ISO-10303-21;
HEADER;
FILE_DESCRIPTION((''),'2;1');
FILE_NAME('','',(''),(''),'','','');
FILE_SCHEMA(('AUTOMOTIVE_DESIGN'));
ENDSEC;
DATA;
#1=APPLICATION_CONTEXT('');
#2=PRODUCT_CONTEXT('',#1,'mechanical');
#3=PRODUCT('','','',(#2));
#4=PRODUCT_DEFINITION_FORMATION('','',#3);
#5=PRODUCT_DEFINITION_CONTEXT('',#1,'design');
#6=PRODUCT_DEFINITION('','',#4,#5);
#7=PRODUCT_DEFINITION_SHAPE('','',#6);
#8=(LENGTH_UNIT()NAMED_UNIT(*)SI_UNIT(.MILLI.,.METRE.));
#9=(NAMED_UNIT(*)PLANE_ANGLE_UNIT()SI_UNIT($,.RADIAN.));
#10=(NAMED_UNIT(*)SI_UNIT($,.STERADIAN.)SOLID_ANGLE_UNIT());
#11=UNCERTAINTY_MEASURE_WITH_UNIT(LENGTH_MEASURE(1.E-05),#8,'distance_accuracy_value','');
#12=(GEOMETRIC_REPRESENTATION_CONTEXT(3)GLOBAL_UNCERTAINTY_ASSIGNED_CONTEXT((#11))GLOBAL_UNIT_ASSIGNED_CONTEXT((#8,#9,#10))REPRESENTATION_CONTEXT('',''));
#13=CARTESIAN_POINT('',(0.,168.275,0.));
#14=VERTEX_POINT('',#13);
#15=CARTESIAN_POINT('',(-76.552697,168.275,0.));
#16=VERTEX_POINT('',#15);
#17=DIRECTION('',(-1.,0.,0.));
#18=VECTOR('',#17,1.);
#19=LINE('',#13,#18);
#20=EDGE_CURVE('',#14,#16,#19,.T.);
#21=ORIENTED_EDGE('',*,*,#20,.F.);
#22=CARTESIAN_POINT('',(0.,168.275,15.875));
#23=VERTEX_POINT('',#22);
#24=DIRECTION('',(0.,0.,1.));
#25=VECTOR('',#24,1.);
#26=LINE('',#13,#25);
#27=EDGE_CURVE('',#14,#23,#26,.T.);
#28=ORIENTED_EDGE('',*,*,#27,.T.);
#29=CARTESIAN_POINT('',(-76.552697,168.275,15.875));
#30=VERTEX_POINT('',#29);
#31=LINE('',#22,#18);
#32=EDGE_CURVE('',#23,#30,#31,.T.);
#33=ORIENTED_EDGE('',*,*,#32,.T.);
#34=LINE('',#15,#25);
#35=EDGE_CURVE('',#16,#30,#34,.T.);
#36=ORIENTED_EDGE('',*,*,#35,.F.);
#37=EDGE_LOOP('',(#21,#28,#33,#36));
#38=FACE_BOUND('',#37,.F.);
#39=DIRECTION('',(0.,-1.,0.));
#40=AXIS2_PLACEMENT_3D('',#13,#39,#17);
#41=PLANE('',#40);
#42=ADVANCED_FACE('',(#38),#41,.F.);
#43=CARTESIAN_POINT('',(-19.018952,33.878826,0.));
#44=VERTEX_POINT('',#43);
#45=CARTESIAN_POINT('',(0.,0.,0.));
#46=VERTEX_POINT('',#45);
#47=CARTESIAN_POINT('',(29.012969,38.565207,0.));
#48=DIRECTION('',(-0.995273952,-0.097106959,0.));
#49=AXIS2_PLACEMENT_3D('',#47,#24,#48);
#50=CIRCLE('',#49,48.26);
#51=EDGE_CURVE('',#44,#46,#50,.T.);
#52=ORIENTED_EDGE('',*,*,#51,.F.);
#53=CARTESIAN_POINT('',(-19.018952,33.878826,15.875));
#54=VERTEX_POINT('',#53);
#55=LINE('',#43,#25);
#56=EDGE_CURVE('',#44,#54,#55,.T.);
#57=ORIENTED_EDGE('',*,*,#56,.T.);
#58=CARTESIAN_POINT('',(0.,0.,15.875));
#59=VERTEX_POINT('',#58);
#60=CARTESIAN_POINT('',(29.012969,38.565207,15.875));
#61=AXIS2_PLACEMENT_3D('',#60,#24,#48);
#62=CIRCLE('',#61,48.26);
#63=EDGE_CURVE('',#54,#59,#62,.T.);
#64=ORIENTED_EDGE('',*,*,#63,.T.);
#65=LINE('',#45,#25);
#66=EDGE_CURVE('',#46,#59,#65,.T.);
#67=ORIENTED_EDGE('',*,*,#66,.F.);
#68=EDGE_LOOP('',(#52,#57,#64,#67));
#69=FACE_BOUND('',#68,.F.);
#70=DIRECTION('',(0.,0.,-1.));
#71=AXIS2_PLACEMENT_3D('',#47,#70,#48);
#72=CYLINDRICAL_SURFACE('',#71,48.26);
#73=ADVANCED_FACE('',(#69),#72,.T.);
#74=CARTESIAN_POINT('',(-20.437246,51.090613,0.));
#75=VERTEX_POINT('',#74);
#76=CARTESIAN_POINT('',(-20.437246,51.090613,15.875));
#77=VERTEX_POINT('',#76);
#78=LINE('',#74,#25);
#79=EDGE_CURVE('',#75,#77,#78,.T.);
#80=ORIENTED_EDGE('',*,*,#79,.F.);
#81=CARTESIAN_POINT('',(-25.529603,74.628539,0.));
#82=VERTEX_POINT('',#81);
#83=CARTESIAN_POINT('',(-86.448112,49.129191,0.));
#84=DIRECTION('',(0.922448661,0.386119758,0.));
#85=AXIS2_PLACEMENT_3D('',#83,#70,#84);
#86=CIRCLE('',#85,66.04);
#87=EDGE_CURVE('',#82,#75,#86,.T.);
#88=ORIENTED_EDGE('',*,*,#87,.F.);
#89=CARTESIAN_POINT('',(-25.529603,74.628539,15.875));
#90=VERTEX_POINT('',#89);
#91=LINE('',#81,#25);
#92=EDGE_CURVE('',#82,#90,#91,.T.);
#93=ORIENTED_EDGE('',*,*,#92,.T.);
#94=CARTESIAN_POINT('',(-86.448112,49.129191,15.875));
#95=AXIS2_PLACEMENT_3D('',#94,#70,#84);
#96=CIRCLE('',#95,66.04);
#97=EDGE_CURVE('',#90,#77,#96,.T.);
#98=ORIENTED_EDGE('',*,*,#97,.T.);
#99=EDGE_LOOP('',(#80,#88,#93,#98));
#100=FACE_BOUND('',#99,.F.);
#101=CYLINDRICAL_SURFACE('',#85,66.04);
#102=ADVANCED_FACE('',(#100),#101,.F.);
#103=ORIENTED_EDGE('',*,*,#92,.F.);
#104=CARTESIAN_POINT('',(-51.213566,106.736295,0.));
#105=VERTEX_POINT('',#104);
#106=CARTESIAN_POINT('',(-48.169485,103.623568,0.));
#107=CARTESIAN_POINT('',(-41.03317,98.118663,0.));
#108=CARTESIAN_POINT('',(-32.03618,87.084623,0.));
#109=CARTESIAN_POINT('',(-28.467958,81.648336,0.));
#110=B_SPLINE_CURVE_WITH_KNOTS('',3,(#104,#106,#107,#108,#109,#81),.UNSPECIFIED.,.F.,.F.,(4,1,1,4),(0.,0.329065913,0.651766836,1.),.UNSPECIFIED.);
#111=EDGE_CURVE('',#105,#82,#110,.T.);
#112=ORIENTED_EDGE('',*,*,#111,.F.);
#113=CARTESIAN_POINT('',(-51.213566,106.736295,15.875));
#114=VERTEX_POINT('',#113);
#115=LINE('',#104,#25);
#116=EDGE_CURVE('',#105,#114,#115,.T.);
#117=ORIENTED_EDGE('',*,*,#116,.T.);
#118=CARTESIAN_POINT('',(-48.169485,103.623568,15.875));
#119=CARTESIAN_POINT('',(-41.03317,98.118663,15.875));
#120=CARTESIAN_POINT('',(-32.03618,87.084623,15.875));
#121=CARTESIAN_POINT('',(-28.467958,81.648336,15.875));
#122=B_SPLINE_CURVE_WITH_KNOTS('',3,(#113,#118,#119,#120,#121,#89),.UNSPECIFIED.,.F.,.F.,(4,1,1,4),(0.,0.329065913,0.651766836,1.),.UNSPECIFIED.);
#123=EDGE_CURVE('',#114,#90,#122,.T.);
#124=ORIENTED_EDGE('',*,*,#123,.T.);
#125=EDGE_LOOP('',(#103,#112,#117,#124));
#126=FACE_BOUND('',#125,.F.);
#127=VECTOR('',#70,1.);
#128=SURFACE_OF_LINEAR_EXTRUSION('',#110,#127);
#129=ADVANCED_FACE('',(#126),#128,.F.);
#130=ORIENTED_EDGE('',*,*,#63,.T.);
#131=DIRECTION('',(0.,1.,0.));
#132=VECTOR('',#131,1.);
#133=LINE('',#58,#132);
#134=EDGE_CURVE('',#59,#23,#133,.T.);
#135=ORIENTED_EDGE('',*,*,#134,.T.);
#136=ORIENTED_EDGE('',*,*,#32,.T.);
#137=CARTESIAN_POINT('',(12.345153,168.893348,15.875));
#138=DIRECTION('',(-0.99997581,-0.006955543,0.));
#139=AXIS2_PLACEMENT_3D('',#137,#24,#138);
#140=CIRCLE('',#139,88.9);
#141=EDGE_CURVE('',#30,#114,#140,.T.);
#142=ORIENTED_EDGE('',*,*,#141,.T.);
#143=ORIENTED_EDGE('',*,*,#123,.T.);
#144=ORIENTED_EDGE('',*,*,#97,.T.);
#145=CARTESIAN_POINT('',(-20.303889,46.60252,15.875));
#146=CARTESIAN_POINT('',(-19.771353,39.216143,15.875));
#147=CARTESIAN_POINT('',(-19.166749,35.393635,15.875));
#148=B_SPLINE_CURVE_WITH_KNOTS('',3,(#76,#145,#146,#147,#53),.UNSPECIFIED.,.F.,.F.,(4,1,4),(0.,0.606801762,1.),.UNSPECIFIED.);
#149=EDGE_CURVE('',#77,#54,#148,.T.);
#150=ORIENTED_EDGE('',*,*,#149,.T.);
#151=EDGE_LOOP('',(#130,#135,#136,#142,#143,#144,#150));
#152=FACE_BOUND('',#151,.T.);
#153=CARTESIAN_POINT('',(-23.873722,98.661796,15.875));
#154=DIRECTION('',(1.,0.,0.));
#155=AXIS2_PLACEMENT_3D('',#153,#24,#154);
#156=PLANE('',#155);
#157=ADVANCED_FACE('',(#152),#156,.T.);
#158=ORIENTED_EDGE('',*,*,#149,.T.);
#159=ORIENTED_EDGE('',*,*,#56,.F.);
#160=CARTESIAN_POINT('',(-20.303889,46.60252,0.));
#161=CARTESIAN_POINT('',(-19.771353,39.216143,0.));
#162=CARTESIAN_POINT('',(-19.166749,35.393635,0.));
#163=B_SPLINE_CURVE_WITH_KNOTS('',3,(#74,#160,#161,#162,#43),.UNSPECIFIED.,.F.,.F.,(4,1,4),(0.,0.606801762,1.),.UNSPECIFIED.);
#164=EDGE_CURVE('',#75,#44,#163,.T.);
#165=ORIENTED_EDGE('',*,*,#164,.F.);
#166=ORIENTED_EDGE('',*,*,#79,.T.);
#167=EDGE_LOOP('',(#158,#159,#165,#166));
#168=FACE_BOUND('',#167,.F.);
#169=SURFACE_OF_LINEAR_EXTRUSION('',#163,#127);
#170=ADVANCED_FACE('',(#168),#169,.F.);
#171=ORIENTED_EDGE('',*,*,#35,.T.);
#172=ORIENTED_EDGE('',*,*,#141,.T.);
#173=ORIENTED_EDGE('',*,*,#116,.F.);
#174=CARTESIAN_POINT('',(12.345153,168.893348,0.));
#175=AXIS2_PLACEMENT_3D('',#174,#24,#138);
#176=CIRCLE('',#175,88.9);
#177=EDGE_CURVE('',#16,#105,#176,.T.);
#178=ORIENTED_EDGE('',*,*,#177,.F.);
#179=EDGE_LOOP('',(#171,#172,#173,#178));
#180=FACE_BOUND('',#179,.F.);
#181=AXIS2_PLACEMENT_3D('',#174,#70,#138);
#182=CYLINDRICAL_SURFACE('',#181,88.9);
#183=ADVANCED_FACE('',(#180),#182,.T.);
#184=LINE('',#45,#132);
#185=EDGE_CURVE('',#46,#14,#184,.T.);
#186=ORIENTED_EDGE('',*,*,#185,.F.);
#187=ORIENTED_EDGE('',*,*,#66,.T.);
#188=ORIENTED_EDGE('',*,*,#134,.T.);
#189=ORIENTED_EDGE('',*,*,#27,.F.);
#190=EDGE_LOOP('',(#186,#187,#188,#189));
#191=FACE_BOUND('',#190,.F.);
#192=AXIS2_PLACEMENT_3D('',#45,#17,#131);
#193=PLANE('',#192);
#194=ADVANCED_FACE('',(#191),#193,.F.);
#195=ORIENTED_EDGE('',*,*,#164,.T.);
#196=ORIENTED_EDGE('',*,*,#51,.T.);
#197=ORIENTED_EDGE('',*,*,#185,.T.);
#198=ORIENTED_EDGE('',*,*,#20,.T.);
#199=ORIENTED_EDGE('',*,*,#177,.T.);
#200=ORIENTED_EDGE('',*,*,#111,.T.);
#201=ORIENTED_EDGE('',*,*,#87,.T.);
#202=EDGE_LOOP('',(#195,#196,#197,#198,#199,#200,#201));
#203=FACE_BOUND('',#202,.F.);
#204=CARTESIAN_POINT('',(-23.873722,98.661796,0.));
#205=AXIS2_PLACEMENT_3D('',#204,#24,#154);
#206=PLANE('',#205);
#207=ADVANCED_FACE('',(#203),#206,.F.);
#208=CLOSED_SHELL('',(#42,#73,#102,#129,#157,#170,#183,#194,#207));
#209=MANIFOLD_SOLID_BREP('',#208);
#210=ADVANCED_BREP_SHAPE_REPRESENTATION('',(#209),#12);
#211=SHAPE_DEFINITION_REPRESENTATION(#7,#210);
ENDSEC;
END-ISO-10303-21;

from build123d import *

# Parameters (mm, degrees)
F1_DEPTH = 15.875


with BuildPart() as f1:
    # F0 (on Top) → F1 (new body)
    with BuildSketch(Plane.XY):
        with BuildLine():
            ThreePointArc((-19.0189518034, 33.8788256049), (-13.0693606243, 14.9409587606), (0, 0))
            Line((0, 0), (0, 168.275))
            Line((0, 168.275), (-76.5526965261, 168.275))
            ThreePointArc((-76.5526965261, 168.275), (-69.8588882257, 135.0450743729), (-51.2135662138, 106.7362949252))
            add(Edge.make_bspline(
                [(-51.2135662138, 106.7362949252), (-48.1694847423, 103.6235682004), (-41.0331697175, 98.118662726), (-32.0361803467, 87.0846234453), (-28.4679579809, 81.6483356631), (-25.5296025425, 74.6285393834)],
                knots=[0, 0, 0, 0, 0.3290659129, 0.6517668359, 1, 1, 1, 1], degree=3))
            ThreePointArc((-25.5296025425, 74.6285393834), (-21.9014229231, 63.0936638051), (-20.4372461885, 51.0906130075))
            add(Edge.make_bspline(
                [(-20.4372461885, 51.0906130075), (-20.3038886677, 46.6025204589), (-19.7713533361, 39.2161430752), (-19.166748802, 35.3936346851), (-19.0189518034, 33.8788256049)],
                knots=[0, 0, 0, 0, 0.6068017622, 1, 1, 1, 1], degree=3))
        make_face()
    extrude(amount=F1_DEPTH)


solid = f1.part
